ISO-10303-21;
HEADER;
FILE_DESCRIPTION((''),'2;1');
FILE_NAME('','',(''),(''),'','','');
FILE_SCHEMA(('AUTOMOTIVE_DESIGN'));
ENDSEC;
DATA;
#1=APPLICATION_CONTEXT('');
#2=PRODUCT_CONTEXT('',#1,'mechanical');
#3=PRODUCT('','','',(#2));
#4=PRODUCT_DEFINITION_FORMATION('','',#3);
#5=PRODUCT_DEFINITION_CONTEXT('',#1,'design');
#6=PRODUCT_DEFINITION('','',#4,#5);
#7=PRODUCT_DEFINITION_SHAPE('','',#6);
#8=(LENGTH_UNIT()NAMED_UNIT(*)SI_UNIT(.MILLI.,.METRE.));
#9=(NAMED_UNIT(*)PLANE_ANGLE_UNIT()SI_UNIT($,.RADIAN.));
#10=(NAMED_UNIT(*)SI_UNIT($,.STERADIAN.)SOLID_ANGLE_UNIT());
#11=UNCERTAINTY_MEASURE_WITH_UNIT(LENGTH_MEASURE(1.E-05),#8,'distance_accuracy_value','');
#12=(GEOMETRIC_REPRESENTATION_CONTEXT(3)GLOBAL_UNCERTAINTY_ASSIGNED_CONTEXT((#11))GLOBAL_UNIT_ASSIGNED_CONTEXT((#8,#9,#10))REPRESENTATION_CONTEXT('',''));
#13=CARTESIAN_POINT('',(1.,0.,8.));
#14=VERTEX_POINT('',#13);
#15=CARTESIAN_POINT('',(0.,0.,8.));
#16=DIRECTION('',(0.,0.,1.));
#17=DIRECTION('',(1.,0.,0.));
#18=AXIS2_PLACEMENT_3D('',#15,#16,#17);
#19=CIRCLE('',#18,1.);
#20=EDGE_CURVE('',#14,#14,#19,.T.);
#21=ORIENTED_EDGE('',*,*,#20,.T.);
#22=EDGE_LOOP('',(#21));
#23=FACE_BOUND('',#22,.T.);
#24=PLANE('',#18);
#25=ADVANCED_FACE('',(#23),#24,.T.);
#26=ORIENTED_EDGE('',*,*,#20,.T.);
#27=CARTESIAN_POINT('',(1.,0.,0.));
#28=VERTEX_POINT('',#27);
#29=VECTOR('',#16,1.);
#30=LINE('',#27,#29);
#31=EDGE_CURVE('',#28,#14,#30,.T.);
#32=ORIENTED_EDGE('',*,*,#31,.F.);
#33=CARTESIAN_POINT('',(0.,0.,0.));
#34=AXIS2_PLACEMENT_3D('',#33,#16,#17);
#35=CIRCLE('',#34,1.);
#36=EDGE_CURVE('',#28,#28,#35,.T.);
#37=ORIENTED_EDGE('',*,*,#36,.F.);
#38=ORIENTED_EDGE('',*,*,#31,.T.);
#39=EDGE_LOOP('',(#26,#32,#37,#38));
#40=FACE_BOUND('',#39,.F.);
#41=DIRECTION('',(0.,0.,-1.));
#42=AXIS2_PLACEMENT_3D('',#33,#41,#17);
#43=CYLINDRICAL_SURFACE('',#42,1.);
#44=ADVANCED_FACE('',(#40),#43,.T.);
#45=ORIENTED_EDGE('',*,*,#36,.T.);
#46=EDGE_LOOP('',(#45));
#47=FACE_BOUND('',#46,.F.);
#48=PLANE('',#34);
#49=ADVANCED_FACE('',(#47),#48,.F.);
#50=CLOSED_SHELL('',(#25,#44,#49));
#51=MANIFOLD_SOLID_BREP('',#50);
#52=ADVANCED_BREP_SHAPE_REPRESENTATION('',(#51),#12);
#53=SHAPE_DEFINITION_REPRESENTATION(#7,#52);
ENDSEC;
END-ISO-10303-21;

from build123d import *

# Parameters (mm, degrees)
SKETCH1_R          = 1
BASE_EXTRUDE_DEPTH = 8


with BuildPart() as part:
    # Sketch1 → Base-Extrude (new body)
    with BuildSketch(Plane.XY):
        Circle(SKETCH1_R)
    extrude(amount=BASE_EXTRUDE_DEPTH)


solid = part.part
